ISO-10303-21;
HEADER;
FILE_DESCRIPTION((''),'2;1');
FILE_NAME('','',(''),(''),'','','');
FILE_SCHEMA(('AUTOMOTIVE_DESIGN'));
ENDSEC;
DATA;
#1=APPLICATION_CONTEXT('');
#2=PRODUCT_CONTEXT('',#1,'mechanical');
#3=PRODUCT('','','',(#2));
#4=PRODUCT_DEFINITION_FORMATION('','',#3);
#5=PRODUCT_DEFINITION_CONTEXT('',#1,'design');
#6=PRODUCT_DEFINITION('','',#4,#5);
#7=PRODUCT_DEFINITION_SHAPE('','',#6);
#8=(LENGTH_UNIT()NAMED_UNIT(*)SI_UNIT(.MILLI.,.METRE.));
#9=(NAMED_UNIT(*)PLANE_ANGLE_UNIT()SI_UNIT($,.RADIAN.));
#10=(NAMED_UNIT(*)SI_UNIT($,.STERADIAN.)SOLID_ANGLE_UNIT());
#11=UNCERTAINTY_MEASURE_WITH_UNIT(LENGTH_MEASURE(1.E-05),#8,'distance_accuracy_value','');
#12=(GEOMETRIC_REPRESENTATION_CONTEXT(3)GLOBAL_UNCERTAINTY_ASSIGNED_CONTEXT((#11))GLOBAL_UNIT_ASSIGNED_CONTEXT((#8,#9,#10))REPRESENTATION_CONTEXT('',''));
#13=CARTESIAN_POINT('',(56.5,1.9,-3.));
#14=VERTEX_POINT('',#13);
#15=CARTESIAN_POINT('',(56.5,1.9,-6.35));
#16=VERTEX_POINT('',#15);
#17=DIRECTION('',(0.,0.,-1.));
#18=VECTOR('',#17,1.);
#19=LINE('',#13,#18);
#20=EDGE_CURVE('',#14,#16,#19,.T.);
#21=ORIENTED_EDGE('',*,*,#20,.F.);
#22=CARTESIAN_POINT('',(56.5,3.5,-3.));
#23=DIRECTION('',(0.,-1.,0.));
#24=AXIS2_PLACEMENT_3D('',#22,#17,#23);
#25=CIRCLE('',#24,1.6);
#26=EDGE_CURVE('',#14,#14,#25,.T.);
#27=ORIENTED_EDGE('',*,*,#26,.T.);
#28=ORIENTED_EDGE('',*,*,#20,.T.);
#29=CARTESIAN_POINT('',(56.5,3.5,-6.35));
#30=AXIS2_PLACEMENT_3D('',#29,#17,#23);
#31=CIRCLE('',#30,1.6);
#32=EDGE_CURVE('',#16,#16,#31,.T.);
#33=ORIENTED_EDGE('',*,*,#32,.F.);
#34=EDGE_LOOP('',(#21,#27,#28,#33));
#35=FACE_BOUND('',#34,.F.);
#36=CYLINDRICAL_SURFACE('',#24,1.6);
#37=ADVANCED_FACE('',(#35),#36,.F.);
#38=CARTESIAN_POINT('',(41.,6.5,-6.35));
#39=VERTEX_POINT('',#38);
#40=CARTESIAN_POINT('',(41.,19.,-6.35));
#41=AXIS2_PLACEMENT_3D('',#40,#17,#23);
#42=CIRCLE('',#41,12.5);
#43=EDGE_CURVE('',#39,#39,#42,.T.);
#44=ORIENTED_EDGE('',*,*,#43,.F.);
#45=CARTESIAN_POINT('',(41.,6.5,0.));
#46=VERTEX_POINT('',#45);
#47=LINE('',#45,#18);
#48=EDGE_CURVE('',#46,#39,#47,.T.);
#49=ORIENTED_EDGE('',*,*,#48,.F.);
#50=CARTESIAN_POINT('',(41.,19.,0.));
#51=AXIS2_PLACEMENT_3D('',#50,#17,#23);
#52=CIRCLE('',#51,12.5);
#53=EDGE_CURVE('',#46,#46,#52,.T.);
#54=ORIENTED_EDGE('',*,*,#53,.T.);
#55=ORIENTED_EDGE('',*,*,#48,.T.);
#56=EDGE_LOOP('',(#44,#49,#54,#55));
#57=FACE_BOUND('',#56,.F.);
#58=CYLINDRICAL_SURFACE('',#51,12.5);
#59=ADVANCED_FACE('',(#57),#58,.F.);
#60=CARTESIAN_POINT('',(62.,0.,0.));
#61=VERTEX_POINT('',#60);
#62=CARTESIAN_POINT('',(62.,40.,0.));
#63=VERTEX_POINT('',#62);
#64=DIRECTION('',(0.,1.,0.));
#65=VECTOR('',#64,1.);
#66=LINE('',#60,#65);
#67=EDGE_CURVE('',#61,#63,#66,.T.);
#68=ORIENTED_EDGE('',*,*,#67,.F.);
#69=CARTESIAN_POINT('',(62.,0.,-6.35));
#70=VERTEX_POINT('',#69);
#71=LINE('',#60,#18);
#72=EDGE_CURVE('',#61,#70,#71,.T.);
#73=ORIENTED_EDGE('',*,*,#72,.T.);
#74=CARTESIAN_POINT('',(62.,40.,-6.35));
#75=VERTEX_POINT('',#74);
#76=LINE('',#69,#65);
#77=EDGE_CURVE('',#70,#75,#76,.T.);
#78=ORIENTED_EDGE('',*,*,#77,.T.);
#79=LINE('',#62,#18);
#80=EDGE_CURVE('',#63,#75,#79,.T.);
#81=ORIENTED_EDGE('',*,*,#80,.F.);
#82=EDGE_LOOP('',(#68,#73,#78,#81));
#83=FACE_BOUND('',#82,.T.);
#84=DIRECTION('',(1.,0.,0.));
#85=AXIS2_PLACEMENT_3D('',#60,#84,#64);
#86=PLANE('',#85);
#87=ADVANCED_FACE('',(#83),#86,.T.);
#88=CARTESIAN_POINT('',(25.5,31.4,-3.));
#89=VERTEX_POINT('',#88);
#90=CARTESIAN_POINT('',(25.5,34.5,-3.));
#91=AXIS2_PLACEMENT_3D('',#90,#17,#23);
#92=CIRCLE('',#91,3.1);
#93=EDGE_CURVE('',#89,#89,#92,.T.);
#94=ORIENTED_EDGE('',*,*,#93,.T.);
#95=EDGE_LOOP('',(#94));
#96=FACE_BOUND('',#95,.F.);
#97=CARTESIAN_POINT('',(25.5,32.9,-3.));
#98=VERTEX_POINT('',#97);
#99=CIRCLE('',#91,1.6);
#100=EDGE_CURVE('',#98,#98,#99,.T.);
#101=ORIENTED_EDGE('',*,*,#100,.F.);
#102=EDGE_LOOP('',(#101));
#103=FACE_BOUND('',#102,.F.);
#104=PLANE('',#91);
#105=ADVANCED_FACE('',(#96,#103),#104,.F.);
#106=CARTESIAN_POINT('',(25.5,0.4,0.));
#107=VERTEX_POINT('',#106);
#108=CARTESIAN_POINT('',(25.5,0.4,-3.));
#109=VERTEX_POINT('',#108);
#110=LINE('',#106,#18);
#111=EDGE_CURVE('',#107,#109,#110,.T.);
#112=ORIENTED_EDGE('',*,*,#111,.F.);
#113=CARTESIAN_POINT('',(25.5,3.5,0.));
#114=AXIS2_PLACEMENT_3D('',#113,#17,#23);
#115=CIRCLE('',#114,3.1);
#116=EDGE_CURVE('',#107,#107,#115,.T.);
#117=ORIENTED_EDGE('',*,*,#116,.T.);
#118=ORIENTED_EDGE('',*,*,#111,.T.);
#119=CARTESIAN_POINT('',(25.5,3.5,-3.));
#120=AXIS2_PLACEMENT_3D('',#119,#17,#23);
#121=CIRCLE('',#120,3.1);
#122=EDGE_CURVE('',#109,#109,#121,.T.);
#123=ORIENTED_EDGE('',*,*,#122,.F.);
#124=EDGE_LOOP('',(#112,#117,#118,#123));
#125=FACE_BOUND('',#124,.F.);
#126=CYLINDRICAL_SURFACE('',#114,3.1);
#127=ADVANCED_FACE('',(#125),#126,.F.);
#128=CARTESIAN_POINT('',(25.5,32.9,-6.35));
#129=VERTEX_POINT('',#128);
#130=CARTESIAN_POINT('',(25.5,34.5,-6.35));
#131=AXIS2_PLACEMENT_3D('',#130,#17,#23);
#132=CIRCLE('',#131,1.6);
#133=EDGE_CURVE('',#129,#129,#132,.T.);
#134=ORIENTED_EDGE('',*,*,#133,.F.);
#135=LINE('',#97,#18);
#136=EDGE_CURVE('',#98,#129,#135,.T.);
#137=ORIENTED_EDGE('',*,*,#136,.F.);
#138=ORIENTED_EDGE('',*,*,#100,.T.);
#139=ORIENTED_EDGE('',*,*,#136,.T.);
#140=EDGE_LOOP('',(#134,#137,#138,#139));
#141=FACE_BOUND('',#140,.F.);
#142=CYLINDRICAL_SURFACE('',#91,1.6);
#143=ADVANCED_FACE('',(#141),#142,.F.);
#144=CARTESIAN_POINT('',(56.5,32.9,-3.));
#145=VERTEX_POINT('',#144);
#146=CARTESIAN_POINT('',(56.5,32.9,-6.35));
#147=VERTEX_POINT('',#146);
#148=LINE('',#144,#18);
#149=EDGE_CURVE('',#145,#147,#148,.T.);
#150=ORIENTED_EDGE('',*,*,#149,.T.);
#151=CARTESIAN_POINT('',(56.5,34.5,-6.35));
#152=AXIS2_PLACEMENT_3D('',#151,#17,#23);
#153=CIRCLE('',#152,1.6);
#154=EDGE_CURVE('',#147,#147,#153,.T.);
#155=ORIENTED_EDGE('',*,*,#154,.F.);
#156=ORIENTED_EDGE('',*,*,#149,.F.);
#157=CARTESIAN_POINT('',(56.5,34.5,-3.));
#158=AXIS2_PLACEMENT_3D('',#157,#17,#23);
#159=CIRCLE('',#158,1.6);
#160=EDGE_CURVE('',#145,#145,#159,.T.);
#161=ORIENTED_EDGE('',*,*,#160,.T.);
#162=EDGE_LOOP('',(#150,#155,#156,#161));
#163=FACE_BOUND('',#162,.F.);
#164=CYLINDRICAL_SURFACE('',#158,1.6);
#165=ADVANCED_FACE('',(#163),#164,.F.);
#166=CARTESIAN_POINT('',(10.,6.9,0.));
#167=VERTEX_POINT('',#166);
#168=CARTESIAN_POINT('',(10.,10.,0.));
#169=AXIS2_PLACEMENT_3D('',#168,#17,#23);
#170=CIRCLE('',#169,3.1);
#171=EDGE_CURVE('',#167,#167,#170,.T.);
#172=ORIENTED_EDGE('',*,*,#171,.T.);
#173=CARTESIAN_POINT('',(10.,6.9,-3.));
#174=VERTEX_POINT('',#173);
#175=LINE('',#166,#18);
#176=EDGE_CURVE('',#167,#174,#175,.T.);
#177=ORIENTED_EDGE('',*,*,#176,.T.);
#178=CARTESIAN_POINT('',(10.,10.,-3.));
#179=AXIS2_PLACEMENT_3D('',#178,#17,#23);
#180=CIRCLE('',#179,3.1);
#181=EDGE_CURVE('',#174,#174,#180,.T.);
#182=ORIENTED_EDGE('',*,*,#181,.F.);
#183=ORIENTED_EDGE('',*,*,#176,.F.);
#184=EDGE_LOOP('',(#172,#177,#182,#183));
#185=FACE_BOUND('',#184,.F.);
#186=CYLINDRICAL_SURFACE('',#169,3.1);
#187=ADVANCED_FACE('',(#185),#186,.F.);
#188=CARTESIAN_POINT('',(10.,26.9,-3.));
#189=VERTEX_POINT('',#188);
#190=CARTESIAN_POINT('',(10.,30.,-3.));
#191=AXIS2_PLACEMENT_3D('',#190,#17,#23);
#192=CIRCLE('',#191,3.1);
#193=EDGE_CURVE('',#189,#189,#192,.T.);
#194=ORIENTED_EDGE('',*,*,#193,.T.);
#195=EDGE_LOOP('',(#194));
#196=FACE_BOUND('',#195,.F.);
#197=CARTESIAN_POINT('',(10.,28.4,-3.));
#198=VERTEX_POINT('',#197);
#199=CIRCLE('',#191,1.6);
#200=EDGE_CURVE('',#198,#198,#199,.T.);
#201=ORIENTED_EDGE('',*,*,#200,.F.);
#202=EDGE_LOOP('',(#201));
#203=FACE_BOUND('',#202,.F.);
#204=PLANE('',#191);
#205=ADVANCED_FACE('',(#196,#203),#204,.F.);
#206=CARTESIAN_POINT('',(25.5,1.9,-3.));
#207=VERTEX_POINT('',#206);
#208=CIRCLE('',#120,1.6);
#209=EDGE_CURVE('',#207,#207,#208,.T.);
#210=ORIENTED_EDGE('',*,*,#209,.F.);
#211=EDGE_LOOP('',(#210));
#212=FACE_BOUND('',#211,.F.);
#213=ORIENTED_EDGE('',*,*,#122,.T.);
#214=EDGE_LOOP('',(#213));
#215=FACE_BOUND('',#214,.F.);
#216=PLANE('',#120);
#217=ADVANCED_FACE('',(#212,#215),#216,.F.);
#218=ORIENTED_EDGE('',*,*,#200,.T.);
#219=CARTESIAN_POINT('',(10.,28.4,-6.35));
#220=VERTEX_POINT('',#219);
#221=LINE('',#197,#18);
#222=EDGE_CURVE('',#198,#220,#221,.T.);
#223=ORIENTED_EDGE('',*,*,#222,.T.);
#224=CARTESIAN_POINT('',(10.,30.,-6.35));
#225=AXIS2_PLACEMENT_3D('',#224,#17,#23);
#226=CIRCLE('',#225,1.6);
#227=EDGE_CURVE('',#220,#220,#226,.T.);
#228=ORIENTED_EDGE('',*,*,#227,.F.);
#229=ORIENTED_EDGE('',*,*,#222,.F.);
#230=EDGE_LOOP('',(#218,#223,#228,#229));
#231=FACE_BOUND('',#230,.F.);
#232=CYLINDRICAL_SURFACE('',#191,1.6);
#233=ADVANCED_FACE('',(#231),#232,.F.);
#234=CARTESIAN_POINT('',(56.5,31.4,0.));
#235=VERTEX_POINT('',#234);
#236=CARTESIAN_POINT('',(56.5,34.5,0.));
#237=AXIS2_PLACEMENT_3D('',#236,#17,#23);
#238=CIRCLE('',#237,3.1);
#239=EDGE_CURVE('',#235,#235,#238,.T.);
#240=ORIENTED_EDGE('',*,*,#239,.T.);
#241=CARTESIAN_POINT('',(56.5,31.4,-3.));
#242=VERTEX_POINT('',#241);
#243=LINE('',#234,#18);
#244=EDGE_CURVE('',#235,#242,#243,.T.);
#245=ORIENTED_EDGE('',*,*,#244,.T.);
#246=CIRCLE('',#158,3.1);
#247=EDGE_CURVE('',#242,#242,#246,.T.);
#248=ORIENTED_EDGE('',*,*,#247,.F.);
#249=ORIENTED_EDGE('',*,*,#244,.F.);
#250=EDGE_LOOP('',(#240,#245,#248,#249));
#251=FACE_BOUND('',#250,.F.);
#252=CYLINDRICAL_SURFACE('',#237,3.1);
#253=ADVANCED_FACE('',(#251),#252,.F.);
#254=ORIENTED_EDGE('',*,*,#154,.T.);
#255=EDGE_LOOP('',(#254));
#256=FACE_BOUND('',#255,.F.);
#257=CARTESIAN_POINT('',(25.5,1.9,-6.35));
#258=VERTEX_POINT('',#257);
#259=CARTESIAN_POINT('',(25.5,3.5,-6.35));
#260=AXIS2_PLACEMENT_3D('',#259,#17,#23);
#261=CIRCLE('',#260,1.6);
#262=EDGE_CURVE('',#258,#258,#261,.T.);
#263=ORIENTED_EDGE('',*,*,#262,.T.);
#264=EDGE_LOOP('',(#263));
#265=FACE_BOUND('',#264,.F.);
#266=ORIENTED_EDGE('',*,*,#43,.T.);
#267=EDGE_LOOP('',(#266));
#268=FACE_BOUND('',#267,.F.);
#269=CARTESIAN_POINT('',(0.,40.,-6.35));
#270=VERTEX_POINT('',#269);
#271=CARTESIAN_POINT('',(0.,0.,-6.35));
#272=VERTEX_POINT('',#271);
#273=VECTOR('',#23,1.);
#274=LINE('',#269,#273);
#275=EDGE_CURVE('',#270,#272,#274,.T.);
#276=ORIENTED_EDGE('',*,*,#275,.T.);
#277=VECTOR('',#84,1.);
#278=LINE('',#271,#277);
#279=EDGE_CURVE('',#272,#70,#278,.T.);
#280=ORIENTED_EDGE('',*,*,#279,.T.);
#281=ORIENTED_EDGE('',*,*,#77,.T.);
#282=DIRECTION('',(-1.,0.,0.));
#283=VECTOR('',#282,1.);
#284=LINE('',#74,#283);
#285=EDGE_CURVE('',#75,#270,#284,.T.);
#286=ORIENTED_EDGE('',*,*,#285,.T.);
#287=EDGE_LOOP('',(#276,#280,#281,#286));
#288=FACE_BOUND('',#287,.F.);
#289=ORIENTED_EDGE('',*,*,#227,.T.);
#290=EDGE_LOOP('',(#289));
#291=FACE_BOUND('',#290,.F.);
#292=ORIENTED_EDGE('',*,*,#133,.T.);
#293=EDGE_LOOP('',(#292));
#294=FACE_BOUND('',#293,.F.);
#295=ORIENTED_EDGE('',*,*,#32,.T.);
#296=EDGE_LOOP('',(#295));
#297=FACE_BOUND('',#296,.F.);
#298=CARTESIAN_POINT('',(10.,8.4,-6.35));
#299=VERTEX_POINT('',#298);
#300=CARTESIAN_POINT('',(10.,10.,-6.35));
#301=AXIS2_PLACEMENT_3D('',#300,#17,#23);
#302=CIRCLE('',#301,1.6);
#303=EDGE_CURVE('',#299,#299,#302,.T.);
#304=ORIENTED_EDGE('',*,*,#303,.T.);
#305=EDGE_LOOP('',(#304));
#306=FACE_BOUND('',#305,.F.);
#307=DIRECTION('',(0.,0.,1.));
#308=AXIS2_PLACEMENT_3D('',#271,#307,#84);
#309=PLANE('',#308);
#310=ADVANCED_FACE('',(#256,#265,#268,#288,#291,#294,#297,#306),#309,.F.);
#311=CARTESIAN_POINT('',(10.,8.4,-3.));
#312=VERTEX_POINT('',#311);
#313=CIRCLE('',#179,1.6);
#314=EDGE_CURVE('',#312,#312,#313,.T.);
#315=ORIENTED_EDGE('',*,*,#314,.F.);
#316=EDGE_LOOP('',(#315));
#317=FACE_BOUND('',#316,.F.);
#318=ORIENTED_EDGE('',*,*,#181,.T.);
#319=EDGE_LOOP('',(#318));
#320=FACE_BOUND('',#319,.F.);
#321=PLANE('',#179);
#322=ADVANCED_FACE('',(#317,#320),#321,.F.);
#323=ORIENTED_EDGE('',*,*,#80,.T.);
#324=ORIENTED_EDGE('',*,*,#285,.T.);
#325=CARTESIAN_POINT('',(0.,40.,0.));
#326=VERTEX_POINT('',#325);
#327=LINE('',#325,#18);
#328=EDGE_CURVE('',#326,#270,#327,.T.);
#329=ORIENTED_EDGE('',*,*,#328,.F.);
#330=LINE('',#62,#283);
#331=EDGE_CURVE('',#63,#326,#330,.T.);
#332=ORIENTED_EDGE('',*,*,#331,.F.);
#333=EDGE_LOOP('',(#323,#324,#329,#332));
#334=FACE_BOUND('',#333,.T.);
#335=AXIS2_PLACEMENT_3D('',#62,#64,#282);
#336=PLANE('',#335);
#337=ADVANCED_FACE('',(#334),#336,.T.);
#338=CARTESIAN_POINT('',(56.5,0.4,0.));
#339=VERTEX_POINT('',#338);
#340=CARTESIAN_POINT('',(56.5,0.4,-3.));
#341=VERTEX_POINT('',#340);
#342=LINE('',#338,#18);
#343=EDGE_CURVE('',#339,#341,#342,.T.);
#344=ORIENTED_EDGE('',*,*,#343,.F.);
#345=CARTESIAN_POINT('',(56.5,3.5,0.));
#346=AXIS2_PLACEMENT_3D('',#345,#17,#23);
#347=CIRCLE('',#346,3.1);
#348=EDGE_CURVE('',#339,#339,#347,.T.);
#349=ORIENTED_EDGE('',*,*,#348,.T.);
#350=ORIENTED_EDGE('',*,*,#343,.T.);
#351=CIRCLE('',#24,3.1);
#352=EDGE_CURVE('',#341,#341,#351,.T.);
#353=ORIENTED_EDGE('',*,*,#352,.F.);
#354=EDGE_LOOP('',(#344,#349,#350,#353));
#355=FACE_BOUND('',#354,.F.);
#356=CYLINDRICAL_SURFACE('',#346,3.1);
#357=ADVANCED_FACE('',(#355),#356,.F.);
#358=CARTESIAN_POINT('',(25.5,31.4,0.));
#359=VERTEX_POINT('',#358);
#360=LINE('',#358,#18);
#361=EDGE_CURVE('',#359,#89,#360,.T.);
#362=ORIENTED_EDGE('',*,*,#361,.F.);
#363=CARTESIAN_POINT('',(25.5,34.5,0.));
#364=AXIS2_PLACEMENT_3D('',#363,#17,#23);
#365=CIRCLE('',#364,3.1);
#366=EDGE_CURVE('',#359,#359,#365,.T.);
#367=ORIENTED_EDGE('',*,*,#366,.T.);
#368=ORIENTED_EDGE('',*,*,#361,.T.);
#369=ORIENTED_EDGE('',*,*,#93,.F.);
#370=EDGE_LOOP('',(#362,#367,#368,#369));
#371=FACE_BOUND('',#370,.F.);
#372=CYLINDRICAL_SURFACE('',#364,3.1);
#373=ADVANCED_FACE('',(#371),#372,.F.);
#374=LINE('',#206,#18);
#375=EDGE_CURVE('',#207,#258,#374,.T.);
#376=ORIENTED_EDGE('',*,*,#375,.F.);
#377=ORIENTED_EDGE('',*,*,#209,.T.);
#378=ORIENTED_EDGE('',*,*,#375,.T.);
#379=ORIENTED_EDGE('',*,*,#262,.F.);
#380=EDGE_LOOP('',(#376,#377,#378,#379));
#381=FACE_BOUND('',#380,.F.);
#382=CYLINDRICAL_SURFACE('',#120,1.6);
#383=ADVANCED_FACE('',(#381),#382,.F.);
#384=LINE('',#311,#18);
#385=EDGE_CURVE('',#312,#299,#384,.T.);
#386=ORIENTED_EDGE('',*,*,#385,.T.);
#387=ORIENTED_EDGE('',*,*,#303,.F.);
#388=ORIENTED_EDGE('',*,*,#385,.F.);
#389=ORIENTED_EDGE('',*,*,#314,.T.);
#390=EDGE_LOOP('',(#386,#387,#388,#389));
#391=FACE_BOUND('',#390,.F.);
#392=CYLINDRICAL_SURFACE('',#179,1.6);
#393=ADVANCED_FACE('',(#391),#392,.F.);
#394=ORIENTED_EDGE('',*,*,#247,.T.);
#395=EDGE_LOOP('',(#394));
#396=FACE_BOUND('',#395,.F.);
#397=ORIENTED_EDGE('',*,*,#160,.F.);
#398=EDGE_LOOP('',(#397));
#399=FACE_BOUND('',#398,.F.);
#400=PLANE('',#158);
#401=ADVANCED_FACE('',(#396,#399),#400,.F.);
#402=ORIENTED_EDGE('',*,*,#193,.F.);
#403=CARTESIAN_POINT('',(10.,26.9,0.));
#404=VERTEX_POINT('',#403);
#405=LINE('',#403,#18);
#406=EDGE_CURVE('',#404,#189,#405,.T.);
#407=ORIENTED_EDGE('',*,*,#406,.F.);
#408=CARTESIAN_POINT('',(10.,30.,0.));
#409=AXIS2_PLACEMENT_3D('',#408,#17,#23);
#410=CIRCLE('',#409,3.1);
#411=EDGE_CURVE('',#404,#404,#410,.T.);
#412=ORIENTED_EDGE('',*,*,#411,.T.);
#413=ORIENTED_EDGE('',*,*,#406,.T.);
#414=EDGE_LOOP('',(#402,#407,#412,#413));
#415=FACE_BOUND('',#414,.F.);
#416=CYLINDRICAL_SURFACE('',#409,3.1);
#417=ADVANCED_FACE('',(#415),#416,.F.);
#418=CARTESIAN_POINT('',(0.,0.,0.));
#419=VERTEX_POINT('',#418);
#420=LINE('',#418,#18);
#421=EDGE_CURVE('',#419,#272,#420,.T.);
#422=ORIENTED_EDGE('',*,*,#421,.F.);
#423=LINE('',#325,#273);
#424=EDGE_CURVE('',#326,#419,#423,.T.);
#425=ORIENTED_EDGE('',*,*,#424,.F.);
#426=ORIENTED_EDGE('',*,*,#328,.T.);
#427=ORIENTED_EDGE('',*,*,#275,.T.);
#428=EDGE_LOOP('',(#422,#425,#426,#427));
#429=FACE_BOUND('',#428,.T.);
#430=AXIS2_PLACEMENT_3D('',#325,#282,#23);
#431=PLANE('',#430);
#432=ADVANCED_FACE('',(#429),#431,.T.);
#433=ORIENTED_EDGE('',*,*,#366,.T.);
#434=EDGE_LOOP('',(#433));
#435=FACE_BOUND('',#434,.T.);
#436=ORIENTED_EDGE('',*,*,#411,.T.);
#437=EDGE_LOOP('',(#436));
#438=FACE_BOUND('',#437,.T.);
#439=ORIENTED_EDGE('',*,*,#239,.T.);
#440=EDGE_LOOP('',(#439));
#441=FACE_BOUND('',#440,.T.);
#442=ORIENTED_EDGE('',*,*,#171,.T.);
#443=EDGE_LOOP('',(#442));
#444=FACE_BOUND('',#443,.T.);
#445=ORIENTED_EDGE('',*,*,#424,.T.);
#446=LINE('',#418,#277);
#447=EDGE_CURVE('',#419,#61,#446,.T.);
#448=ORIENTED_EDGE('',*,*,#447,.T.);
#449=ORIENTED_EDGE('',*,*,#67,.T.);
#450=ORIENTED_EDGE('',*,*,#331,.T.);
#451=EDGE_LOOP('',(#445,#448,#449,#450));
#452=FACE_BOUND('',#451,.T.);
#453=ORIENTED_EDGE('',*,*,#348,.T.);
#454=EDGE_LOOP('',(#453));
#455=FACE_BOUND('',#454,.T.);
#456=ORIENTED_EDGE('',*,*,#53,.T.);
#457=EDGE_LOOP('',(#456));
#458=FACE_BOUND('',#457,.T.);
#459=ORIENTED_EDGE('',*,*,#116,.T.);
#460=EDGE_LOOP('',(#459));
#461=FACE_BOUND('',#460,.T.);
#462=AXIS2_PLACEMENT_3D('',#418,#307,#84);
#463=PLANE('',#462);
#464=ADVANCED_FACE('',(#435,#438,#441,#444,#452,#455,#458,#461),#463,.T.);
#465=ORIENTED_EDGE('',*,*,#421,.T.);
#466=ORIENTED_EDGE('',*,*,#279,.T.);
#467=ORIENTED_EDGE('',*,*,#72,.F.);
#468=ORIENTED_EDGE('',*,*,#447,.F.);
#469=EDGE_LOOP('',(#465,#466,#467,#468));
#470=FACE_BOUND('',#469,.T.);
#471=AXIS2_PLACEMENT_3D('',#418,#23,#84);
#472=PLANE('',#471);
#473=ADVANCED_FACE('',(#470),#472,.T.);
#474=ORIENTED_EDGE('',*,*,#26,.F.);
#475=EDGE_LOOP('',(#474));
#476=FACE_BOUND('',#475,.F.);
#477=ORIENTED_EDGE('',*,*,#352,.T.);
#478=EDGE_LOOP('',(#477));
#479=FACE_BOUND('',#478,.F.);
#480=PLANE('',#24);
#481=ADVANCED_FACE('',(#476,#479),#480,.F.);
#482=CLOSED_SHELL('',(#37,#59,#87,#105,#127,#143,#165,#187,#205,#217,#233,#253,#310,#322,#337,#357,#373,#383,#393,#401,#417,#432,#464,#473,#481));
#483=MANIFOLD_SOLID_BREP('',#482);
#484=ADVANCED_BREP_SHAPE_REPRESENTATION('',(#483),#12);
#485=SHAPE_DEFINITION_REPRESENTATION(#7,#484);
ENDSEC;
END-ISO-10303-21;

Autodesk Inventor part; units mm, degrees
ref_plane "YZ Plane" through (0, 0, 0) normal (1, 0, 0) x (0, 1, 0)
ref_plane "XZ Plane" through (0, 0, 0) normal (0, 1, 0) x (-1, 0, 0)
ref_plane "XY Plane" through (0, 0, 0) normal (0, 0, 1) x (1, 0, 0)
sketch "Sketch1" plane through (0, 0, 0) normal (0, 0, 1) x (1, 0, 0)
  line L0 (0, 0) -> (62, 0)
  line L1 (62, 0) -> (62, 40)
  line L2 (62, 40) -> (0, 40)
  line L3 (0, 40) -> (0, 0)
  line L4 (20, 40) -> (62, 40) construction
  line L5 (62, 40) -> (62, -2) construction
  line L6 (62, -2) -> (20, -2) construction
  line L7 (20, -2) -> (20, 40) construction
  line L8 (25.5, 34.5) -> (56.5, 34.5) construction
  line L9 (56.5, 34.5) -> (56.5, 3.5) construction
  line L10 (56.5, 3.5) -> (25.5, 3.5) construction
  line L11 (25.5, 3.5) -> (25.5, 34.5) construction
  point P0 (25.5, 19)
  point P1 (20, 19)
  point P2 (41, 34.5)
  point P3 (41, 40)
  point P4 (41, 19)
  point P5 (10, 30)
  point P6 (10, 10)
  dimension "d0" = 40
  dimension "d1" = 62
  dimension "d2" = 42
  dimension "d3" = 42
  dimension "d4" = 31
  dimension "d5" = 31
  dimension "d22" = 10
  dimension "d23" = 10
  dimension "d24" = 10
extrude "Extrusion1" add sketch "Sketch1" against normal blind 6.35
hole "Hole1" at (25.5, 34.5, 0) at (56.5, 34.5, 0) at (56.5, 3.5, 0) at (25.5, 3.5, 0) at (10, 30, 0) at (10, 10, 0) direction (0, 0, -1) diameter 3.2 end through all counterbore diameter 6.2 counterbore depth 3
hole "Hole2" at (41, 19, 0) direction (0, 0, -1) diameter 25 end through all
properties part number "Y Motor Mount"
